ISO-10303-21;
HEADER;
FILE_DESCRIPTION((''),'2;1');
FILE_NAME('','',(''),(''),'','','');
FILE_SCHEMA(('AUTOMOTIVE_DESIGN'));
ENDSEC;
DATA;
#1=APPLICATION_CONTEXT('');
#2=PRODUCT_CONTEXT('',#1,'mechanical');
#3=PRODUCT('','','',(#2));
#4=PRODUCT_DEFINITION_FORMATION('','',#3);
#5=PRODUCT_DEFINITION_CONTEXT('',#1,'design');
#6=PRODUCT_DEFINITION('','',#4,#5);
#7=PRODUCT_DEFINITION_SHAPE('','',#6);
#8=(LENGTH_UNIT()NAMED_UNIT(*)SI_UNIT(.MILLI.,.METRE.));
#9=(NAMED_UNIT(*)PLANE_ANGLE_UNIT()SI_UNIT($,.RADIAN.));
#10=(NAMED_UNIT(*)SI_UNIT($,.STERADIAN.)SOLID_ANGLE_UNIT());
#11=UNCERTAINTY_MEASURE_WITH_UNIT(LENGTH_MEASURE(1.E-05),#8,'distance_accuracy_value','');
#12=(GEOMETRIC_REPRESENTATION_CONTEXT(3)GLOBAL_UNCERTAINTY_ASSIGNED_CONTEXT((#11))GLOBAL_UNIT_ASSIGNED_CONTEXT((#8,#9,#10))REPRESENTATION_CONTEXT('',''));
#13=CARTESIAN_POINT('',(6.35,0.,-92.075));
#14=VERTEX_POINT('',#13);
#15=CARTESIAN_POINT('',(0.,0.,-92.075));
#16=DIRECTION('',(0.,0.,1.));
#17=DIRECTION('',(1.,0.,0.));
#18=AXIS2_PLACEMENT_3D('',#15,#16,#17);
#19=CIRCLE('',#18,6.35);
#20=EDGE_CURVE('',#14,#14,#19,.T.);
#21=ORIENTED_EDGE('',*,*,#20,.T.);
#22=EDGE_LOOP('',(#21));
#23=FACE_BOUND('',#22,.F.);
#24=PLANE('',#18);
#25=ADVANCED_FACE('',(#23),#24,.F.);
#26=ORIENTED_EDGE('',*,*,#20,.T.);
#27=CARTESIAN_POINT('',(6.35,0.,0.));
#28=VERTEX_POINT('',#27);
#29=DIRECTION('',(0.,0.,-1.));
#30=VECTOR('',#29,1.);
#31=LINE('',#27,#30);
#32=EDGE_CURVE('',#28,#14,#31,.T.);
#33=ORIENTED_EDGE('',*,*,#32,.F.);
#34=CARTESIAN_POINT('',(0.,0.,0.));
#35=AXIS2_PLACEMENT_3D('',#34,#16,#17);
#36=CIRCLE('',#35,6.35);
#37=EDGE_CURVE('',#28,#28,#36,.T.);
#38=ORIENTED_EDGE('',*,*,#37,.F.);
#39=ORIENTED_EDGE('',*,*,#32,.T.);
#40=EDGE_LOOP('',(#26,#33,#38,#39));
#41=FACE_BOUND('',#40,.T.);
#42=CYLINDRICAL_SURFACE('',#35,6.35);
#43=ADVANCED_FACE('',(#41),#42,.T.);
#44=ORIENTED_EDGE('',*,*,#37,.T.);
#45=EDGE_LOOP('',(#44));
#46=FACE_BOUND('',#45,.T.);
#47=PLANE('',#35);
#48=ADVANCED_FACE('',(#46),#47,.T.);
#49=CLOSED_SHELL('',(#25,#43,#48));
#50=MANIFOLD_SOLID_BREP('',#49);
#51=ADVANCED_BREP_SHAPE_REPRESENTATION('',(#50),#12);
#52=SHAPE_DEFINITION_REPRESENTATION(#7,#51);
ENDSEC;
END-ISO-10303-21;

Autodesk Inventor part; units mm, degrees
ref_plane "YZ Plane" through (0, 0, 0) normal (1, 0, 0) x (0, 1, 0)
ref_plane "XZ Plane" through (0, 0, 0) normal (0, 1, 0) x (-1, 0, 0)
ref_plane "XY Plane" through (0, 0, 0) normal (0, 0, 1) x (1, 0, 0)
sketch "Sketch1" plane through (0, 0, 0) normal (0, 0, 1) x (1, 0, 0)
  circle A0 centre (0, 0) radius 6.35
  dimension "d0" = 12.7
  dimension "d0" = 12.7
extrude "Extrusion1" add sketch "Sketch1" against normal blind 92.075
properties part number "small axle"
